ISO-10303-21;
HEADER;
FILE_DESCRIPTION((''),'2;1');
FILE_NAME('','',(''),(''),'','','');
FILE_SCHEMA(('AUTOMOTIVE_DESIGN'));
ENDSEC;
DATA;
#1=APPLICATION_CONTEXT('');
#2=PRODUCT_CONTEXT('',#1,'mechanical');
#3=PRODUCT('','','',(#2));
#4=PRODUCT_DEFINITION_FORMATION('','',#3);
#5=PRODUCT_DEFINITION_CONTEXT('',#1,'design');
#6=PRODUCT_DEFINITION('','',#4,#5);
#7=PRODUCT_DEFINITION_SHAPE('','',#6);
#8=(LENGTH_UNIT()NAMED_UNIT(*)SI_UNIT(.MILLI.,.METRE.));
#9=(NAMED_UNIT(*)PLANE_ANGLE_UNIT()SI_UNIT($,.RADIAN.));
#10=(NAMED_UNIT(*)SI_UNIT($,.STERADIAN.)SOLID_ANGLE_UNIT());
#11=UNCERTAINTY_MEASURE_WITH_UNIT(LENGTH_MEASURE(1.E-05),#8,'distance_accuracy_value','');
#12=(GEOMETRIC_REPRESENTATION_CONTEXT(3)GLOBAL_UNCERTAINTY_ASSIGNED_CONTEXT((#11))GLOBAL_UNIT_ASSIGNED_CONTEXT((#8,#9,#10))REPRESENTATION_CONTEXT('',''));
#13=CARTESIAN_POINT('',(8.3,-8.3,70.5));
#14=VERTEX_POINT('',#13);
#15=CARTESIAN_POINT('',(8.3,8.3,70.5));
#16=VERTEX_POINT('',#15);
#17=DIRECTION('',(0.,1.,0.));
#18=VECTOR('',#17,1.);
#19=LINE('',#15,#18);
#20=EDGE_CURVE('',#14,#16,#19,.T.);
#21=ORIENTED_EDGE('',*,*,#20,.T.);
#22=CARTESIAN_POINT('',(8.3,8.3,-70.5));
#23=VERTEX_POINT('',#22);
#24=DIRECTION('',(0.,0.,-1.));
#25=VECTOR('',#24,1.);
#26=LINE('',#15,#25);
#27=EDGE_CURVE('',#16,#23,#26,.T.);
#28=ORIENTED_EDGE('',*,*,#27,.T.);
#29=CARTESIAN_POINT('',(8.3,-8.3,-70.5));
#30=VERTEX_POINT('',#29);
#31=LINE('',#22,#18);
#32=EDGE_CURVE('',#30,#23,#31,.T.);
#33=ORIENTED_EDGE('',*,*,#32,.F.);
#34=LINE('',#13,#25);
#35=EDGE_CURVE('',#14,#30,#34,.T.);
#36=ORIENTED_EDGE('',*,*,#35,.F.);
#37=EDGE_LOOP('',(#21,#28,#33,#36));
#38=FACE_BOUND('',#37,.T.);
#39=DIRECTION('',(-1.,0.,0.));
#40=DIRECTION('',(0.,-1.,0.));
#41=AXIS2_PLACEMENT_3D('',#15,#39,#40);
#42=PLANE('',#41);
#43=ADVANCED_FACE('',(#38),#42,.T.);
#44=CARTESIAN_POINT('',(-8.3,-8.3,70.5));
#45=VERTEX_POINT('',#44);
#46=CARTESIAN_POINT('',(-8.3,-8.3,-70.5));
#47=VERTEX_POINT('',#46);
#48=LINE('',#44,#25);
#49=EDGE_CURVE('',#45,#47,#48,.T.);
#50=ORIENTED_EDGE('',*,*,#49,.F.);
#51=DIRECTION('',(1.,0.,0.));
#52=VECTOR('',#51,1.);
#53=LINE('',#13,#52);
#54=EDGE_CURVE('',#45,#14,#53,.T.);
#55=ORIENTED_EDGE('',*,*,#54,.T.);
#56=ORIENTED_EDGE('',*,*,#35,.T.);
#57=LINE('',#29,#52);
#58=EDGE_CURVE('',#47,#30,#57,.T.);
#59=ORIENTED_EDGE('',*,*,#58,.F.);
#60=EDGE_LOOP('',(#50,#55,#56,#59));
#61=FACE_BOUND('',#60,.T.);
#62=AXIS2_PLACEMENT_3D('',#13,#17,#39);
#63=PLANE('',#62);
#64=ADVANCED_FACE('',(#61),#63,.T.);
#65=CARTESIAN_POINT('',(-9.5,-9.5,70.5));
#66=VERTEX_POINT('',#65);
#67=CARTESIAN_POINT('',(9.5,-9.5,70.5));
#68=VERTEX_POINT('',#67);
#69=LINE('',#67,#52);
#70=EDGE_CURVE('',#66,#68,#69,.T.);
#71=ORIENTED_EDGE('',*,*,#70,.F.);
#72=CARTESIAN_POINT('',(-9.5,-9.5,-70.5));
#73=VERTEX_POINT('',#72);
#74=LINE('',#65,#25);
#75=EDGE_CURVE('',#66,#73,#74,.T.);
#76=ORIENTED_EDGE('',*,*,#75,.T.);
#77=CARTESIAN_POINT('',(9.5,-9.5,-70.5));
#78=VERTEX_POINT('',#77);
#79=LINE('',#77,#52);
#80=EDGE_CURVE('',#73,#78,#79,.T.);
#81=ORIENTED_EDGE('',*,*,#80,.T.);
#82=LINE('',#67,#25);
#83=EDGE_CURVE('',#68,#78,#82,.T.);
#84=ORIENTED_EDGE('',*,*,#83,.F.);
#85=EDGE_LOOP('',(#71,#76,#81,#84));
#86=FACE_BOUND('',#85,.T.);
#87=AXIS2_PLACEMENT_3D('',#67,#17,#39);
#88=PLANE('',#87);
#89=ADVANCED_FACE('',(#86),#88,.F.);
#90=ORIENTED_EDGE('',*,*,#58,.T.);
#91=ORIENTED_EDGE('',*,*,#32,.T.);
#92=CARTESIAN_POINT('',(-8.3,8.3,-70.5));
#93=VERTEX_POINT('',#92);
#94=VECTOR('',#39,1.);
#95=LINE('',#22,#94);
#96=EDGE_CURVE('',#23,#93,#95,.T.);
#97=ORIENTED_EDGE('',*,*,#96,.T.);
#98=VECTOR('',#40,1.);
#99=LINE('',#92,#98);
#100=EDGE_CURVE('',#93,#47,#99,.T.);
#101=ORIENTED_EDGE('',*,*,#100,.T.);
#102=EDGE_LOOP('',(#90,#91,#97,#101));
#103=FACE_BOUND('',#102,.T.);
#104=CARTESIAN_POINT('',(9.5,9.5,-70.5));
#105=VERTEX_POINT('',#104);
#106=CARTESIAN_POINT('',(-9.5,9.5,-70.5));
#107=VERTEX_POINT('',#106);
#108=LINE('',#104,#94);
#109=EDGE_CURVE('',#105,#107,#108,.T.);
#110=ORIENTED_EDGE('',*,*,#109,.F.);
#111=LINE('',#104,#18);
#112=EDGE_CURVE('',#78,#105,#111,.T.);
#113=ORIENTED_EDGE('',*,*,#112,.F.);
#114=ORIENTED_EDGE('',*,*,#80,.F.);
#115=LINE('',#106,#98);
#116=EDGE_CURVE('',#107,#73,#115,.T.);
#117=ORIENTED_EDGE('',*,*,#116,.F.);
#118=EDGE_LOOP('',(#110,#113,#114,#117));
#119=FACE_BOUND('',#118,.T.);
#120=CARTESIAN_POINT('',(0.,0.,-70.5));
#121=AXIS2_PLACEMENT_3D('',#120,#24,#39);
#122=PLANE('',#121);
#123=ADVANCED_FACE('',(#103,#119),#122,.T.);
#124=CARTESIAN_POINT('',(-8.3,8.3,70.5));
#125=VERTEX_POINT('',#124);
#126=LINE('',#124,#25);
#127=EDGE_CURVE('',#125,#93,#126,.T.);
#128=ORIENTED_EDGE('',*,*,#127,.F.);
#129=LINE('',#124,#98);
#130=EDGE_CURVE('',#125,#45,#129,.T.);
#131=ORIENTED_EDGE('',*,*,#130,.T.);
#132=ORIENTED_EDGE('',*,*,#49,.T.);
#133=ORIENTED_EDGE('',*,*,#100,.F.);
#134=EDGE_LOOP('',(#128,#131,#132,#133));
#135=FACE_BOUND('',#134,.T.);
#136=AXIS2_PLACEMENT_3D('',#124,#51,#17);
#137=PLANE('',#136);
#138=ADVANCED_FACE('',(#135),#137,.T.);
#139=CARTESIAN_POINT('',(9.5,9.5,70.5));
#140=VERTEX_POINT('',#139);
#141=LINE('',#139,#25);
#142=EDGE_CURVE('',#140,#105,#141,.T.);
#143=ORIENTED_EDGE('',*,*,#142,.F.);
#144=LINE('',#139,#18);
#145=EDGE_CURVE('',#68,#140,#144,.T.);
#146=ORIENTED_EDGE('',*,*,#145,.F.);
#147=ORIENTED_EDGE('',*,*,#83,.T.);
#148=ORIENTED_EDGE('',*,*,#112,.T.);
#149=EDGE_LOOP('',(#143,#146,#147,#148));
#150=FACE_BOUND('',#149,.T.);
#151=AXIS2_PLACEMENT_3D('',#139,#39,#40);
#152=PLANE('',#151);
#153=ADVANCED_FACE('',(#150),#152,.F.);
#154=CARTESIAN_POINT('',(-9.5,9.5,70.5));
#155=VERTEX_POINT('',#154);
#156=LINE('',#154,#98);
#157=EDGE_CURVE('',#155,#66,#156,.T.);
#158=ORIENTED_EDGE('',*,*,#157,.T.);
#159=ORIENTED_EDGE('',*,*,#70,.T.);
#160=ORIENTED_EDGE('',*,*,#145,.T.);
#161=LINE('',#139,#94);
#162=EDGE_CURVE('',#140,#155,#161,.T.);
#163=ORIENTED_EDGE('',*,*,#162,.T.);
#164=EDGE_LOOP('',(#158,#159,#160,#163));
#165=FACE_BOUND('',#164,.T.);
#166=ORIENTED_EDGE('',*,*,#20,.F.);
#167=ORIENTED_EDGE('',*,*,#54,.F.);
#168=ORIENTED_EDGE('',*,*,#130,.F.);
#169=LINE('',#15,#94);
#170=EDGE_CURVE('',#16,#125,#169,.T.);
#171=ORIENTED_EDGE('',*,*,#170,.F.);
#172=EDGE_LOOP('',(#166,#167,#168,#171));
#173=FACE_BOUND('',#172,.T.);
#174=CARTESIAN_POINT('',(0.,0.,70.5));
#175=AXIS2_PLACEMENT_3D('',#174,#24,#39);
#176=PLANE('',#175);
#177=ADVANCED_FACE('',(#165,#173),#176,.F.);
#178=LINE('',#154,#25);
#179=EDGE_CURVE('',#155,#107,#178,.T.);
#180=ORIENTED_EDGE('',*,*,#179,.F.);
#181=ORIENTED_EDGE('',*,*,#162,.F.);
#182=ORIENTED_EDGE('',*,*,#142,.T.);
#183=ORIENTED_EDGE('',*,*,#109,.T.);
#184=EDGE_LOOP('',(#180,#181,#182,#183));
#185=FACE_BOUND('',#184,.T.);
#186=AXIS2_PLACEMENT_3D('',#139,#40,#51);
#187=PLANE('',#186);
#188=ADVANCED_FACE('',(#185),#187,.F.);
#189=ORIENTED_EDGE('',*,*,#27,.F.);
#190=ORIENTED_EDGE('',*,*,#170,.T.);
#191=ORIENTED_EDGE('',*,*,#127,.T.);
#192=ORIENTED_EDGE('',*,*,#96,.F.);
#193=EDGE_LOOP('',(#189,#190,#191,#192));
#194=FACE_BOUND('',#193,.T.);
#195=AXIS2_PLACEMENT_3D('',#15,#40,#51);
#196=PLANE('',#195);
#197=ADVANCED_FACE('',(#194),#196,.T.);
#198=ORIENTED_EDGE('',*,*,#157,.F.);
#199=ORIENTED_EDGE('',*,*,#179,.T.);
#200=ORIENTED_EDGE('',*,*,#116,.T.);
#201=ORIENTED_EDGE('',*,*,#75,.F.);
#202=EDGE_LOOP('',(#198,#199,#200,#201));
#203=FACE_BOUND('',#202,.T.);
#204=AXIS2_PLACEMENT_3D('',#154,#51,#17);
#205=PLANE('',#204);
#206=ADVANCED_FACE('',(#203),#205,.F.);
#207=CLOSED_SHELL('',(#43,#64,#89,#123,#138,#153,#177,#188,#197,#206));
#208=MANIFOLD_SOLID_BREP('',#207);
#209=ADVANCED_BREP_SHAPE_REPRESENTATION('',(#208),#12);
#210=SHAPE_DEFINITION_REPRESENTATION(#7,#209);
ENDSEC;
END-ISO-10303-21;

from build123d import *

# Parameters (mm, degrees)
SKETCH1_W           = 19
SKETCH1_H           = 19
SKETCH1_W_2         = 16.6
SKETCH1_H_2         = 16.6
BOSS_EXTRUDE2_DEPTH = 70.5


with BuildPart() as part:
    # Sketch1 → Boss-Extrude2 (new, symmetric)
    with BuildSketch(Plane.XY):
        Rectangle(SKETCH1_W, SKETCH1_H)
        Rectangle(SKETCH1_W_2, SKETCH1_H_2, mode=Mode.SUBTRACT)
    extrude(amount=BOSS_EXTRUDE2_DEPTH, both=True)


solid = part.part
